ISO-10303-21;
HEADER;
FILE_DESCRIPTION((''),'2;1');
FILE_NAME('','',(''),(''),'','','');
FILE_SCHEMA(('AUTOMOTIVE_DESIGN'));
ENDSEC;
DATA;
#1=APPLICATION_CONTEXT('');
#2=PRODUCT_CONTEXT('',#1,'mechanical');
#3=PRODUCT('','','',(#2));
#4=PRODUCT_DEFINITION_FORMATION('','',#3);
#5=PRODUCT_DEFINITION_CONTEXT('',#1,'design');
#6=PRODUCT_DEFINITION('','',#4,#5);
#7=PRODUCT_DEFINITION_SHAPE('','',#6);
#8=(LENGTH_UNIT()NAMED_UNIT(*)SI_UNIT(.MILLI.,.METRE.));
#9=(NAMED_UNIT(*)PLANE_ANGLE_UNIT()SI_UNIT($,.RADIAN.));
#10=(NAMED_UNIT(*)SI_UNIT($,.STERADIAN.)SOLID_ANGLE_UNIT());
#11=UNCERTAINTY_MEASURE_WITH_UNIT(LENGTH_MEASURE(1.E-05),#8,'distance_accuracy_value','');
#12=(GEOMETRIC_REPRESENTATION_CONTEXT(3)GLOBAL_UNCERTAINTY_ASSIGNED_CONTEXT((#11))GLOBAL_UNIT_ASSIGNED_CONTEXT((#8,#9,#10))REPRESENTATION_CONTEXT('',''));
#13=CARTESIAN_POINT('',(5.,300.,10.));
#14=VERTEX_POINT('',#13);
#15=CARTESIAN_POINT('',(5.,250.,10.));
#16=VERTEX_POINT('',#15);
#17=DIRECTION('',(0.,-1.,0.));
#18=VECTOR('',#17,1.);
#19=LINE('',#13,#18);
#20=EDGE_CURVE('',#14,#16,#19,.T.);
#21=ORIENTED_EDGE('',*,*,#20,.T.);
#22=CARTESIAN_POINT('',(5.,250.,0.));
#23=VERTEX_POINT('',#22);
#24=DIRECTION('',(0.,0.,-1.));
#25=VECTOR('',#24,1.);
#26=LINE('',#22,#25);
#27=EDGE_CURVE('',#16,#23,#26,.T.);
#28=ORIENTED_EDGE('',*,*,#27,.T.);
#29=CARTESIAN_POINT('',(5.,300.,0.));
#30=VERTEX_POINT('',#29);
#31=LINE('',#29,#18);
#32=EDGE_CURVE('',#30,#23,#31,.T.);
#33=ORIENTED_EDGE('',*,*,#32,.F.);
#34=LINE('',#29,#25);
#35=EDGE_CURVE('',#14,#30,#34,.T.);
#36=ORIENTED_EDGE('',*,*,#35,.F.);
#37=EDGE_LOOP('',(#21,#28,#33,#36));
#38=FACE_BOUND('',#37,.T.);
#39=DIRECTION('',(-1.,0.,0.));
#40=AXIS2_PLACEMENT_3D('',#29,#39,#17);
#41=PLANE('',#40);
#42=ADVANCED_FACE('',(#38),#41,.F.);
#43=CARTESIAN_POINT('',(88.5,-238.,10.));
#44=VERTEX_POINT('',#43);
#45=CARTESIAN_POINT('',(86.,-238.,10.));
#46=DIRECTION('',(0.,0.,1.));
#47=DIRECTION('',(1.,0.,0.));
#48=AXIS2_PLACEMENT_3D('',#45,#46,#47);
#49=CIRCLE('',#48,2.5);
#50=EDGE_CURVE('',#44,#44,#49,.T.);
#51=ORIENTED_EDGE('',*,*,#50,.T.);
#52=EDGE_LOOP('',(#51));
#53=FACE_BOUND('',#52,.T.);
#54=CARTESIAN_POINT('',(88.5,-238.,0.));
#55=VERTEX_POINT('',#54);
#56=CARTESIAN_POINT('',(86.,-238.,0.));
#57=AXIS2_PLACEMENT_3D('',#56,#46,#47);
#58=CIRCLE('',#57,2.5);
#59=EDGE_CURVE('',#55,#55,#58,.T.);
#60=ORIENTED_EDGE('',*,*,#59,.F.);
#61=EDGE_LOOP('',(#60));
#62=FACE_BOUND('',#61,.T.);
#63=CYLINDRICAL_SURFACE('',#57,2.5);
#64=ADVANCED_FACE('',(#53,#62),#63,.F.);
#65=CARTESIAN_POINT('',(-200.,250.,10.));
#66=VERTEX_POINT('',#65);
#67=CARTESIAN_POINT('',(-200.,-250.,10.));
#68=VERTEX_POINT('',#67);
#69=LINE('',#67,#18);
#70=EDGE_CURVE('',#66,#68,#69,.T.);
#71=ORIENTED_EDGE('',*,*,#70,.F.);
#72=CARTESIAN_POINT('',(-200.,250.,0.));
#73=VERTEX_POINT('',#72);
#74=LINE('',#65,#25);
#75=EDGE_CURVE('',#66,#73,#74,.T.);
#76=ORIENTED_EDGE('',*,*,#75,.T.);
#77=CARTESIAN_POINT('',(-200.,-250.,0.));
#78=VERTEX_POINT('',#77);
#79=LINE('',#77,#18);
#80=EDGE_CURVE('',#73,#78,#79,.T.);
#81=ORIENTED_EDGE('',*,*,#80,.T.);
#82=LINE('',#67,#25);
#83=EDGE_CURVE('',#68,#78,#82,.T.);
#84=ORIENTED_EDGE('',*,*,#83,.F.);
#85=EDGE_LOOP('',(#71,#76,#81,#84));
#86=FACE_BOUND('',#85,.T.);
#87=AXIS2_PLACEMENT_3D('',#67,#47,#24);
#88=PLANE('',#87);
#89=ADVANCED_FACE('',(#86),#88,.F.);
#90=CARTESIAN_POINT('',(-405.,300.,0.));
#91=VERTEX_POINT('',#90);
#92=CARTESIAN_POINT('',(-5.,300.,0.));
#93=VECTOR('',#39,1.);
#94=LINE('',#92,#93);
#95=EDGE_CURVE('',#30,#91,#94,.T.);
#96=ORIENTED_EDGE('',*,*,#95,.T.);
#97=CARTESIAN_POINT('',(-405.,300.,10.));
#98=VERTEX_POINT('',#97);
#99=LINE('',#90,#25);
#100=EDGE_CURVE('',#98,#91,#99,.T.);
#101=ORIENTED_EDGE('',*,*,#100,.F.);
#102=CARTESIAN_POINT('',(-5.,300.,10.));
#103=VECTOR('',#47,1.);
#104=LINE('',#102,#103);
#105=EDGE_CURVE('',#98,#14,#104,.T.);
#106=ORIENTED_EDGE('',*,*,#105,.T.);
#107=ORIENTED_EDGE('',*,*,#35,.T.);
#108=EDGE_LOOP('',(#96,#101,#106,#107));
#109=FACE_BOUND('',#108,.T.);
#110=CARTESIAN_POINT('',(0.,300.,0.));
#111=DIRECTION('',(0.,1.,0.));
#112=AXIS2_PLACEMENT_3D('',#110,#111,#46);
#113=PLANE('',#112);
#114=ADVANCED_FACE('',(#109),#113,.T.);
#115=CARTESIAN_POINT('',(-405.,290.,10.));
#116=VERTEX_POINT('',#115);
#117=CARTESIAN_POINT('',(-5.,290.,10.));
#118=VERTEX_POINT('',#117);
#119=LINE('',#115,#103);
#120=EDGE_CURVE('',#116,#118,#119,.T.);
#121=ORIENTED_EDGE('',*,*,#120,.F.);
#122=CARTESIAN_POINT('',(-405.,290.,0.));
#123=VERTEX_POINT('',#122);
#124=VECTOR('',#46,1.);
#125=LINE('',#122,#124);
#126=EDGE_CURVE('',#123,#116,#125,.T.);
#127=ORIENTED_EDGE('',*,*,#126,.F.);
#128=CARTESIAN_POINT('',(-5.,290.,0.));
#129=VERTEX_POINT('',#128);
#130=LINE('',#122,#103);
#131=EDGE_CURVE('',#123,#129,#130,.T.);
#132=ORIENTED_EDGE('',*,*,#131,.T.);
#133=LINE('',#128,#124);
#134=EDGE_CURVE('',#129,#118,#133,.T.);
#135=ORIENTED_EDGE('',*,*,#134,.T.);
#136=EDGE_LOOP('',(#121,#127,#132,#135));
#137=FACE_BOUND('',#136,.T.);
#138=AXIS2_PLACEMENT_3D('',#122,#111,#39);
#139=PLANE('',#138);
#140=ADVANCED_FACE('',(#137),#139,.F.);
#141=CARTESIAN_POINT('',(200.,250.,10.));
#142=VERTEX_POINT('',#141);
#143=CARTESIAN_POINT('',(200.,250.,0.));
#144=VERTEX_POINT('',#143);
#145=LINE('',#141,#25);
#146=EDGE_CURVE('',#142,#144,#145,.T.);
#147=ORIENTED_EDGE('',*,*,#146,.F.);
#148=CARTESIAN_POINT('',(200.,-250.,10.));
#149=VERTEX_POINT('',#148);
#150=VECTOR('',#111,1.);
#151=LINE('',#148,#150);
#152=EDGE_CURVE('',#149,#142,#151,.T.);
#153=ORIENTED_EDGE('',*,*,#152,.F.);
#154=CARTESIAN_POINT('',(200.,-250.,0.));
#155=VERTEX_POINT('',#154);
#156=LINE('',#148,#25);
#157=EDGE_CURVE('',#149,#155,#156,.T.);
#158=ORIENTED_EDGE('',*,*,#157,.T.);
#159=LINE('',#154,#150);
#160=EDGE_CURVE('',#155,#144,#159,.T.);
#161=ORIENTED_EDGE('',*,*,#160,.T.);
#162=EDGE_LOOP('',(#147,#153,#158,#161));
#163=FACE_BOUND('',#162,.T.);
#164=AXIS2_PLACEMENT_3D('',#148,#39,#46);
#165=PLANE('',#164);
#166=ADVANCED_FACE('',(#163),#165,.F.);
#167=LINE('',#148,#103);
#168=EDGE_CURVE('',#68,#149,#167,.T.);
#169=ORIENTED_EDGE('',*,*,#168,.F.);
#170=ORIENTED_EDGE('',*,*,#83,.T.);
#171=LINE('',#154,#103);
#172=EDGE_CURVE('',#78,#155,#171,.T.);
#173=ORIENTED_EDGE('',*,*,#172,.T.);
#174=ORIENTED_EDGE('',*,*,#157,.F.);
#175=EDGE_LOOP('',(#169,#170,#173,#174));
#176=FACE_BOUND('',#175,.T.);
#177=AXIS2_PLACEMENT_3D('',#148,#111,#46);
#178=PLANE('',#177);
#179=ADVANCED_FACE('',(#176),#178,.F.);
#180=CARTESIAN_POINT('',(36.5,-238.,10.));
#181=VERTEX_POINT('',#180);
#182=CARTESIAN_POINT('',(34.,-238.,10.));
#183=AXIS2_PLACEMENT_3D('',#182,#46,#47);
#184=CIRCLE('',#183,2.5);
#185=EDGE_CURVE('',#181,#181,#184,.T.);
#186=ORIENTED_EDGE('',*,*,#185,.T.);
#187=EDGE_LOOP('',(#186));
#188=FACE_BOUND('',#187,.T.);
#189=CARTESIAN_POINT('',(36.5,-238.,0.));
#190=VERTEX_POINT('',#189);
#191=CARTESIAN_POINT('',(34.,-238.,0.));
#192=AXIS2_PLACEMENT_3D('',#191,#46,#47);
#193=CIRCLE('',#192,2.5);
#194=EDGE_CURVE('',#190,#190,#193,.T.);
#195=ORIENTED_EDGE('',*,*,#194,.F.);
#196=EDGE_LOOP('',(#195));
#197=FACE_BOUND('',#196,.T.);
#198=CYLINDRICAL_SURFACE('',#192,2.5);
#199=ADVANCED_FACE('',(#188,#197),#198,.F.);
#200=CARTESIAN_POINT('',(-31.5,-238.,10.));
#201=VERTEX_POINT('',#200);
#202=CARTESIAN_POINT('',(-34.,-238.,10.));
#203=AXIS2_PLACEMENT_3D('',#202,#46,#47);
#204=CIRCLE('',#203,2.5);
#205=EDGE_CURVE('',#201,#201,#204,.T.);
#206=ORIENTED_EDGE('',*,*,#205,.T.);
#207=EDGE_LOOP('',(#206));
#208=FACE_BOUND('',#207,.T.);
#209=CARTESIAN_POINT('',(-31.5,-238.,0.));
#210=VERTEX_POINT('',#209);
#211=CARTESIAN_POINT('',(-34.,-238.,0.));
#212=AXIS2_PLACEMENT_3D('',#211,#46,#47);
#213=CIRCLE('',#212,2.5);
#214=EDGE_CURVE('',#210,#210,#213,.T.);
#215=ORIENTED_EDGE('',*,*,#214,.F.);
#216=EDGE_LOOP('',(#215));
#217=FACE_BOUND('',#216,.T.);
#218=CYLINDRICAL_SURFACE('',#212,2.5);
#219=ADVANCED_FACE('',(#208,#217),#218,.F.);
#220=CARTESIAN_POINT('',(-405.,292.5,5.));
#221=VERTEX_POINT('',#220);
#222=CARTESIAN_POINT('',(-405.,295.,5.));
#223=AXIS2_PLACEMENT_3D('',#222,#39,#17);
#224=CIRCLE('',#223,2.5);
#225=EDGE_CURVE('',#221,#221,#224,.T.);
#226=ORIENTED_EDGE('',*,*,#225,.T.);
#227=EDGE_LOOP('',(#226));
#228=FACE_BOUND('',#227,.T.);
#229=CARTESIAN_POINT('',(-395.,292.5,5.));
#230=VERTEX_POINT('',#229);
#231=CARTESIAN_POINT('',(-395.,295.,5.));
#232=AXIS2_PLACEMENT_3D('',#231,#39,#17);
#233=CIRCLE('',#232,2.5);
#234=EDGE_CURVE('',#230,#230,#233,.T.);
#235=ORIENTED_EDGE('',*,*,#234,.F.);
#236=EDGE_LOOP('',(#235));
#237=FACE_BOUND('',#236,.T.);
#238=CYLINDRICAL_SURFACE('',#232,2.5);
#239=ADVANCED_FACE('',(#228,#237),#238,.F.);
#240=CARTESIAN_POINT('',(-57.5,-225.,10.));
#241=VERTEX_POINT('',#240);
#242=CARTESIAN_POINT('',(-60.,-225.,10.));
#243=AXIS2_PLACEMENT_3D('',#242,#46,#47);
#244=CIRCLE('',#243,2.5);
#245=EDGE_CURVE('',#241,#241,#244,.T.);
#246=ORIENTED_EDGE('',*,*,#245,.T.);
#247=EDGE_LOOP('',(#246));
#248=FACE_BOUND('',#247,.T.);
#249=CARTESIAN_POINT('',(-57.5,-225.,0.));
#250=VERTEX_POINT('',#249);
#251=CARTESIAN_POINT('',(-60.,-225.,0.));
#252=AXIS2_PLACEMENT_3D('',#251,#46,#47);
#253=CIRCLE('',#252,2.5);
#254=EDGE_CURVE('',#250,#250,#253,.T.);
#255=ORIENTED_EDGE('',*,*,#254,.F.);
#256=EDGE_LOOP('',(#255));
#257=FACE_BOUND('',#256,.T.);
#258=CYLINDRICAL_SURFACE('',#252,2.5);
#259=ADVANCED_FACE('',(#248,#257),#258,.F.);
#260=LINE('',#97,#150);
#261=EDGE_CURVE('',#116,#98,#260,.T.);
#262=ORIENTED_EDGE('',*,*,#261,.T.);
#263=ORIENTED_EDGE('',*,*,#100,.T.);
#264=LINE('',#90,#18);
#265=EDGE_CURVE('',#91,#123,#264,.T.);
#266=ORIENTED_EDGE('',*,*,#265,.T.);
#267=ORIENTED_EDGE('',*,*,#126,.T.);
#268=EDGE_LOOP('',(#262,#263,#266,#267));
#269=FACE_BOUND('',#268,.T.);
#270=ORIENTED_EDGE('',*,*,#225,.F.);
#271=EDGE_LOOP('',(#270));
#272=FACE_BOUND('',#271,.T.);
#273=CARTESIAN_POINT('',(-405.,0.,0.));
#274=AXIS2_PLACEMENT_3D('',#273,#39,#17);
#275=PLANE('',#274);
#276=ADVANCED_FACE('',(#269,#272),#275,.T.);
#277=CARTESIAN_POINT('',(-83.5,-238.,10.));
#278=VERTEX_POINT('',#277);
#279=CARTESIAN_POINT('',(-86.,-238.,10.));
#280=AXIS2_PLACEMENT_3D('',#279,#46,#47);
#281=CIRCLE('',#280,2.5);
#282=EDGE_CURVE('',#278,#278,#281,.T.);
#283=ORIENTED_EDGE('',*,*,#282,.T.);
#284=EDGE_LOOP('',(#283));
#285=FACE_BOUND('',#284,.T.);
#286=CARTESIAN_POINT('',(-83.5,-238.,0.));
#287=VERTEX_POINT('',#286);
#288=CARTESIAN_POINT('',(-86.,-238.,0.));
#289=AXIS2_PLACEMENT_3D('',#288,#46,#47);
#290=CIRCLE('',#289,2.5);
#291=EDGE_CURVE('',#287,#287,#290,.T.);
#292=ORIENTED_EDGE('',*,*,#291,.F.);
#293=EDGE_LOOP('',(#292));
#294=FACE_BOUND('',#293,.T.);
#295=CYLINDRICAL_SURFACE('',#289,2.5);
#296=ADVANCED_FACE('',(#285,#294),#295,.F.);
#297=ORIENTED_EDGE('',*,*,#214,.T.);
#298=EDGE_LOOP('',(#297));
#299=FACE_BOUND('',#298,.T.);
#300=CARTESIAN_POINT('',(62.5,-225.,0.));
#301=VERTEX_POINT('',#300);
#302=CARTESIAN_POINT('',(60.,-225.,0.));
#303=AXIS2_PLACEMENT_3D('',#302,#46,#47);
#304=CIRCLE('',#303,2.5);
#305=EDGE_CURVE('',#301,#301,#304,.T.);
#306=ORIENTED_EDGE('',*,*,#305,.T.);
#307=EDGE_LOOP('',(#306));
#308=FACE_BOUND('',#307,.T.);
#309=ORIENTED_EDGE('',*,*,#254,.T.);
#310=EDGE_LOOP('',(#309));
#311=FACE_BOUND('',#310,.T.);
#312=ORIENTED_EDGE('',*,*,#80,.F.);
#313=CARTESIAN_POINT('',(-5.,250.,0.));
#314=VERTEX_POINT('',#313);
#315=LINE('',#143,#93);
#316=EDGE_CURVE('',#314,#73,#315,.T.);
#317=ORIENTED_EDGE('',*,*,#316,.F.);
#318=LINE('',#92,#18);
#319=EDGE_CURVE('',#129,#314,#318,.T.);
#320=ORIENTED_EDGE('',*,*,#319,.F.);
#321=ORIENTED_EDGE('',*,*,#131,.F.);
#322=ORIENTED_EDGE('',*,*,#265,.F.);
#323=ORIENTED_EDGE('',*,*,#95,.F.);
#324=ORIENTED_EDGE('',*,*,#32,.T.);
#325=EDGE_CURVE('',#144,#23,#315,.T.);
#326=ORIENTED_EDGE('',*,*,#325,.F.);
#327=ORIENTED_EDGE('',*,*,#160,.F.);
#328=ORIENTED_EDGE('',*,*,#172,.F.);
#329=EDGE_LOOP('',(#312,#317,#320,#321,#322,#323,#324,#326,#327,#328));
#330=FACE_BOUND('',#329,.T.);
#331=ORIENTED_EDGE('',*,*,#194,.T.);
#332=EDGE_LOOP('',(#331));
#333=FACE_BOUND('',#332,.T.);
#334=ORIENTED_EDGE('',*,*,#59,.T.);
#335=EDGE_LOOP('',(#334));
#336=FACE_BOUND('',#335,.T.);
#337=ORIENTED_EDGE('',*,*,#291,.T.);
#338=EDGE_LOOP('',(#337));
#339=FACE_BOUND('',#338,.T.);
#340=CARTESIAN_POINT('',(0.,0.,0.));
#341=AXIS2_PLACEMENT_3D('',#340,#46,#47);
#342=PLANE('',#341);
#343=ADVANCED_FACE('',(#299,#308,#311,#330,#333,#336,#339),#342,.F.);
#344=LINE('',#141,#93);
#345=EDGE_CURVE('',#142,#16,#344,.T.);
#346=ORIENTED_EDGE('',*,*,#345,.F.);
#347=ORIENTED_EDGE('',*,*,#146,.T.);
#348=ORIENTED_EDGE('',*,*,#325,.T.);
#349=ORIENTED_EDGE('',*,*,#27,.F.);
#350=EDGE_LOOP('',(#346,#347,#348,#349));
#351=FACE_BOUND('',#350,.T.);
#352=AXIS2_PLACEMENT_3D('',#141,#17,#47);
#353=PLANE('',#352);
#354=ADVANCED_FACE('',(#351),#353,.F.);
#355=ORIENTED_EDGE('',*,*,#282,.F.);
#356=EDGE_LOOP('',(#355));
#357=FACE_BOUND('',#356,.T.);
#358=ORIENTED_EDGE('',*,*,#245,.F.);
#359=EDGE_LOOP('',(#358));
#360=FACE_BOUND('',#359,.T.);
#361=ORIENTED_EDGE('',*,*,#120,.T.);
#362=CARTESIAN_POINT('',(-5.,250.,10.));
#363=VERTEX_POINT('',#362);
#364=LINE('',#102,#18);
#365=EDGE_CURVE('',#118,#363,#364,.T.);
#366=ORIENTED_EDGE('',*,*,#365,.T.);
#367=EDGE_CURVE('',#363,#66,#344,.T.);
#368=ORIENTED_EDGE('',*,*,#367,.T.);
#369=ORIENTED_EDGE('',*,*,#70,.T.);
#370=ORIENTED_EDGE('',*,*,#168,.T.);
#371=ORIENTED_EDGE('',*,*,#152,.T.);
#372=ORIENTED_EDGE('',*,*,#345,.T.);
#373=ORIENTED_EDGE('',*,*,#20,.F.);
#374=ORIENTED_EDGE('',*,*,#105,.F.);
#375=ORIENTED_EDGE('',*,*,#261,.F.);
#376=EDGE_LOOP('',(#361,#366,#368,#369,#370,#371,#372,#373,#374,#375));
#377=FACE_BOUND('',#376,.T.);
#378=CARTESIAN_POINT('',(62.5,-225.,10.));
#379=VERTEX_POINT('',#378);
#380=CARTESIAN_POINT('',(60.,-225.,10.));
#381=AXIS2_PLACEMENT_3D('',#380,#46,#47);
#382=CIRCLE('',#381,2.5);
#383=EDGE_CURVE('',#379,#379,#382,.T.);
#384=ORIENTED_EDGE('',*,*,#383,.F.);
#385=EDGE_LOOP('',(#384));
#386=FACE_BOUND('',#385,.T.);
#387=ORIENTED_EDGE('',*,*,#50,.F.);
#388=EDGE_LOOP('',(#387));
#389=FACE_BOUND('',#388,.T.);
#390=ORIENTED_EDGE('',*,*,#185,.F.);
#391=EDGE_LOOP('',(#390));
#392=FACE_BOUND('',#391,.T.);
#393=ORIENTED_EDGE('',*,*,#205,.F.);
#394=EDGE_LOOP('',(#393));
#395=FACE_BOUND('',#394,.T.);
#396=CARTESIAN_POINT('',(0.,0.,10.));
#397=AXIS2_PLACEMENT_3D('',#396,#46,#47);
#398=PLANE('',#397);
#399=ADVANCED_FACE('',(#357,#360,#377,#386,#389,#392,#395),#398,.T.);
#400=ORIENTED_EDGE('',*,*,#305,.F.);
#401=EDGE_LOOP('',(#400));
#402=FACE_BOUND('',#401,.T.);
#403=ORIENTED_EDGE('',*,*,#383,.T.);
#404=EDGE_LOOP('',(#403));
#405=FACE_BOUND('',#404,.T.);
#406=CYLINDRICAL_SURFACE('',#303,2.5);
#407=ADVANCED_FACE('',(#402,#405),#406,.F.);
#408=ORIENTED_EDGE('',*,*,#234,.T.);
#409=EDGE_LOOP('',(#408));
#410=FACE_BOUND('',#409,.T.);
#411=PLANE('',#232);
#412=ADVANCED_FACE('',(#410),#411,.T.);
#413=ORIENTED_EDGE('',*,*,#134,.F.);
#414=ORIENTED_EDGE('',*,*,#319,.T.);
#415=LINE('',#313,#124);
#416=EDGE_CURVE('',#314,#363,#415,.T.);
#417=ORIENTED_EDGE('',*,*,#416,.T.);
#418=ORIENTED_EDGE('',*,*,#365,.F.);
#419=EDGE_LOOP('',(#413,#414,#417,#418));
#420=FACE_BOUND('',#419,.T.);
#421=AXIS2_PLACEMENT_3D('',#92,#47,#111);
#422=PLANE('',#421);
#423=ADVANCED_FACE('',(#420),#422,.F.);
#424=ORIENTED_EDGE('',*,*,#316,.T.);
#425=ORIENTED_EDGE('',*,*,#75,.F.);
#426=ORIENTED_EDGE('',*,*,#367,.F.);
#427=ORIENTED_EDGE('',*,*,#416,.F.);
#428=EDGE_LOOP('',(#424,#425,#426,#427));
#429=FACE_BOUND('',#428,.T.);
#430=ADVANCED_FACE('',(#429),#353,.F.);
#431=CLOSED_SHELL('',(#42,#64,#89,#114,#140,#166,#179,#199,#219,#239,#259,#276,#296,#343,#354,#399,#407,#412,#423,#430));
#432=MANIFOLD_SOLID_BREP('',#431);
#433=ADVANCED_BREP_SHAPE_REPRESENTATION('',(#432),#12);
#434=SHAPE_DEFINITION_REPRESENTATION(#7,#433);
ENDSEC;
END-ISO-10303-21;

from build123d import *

# Parameters (mm, degrees)
SKETCH1_W           = 400
SKETCH1_H           = 500
BOSS_EXTRUDE1_DEPTH = 10
SKETCH2_R           = 2.5
CUT_EXTRUDE1_DEPTH  = 321.312347561
SKETCH3_W           = 10
SKETCH3_H           = 10
BOSS_EXTRUDE2_DEPTH = 50
SKETCH4_W           = 10
SKETCH4_H           = 10
BOSS_EXTRUDE3_DEPTH = 400
SKETCH5_R           = 2.5
CUT_EXTRUDE2_DEPTH  = 10


with BuildPart() as part:
    # Sketch1 → Boss-Extrude1 (new body)
    with BuildSketch(Plane.XY):
        Rectangle(SKETCH1_W, SKETCH1_H)
    extrude(amount=BOSS_EXTRUDE1_DEPTH)

    # Sketch2 → Cut-Extrude1 (cut, through all)
    with BuildSketch(Plane.XY.offset(10)):
        with Locations((-86, -238)):
            Circle(SKETCH2_R)
        with Locations((-60, -225)):
            Circle(SKETCH2_R)
        with Locations((-34, -238)):
            Circle(SKETCH2_R)
        with Locations((34, -238)):
            Circle(SKETCH2_R)
        with Locations((60, -225)):
            Circle(SKETCH2_R)
        with Locations((86, -238)):
            Circle(SKETCH2_R)
    extrude(amount=-CUT_EXTRUDE1_DEPTH, mode=Mode.SUBTRACT)

    # Sketch3 → Boss-Extrude2 (add)
    with BuildSketch(Plane(origin=(0, 250, 0), x_dir=(1, 0, 0), z_dir=(0, 1, 0))):
        with Locations((0, -5)):
            Rectangle(SKETCH3_W, SKETCH3_H)
    extrude(amount=BOSS_EXTRUDE2_DEPTH)

    # Sketch4 → Boss-Extrude3 (add)
    with BuildSketch(Plane.ZY.offset(5)):
        with Locations((5, 295)):
            Rectangle(SKETCH4_W, SKETCH4_H)
    extrude(amount=BOSS_EXTRUDE3_DEPTH)

    # Sketch5 → Cut-Extrude2 (cut)
    with BuildSketch(Plane.ZY.offset(405)):
        with Locations(Location((5, 295, 0), (0, 0, 270))):
            Circle(SKETCH5_R)
    extrude(amount=-CUT_EXTRUDE2_DEPTH, mode=Mode.SUBTRACT)


solid = part.part
